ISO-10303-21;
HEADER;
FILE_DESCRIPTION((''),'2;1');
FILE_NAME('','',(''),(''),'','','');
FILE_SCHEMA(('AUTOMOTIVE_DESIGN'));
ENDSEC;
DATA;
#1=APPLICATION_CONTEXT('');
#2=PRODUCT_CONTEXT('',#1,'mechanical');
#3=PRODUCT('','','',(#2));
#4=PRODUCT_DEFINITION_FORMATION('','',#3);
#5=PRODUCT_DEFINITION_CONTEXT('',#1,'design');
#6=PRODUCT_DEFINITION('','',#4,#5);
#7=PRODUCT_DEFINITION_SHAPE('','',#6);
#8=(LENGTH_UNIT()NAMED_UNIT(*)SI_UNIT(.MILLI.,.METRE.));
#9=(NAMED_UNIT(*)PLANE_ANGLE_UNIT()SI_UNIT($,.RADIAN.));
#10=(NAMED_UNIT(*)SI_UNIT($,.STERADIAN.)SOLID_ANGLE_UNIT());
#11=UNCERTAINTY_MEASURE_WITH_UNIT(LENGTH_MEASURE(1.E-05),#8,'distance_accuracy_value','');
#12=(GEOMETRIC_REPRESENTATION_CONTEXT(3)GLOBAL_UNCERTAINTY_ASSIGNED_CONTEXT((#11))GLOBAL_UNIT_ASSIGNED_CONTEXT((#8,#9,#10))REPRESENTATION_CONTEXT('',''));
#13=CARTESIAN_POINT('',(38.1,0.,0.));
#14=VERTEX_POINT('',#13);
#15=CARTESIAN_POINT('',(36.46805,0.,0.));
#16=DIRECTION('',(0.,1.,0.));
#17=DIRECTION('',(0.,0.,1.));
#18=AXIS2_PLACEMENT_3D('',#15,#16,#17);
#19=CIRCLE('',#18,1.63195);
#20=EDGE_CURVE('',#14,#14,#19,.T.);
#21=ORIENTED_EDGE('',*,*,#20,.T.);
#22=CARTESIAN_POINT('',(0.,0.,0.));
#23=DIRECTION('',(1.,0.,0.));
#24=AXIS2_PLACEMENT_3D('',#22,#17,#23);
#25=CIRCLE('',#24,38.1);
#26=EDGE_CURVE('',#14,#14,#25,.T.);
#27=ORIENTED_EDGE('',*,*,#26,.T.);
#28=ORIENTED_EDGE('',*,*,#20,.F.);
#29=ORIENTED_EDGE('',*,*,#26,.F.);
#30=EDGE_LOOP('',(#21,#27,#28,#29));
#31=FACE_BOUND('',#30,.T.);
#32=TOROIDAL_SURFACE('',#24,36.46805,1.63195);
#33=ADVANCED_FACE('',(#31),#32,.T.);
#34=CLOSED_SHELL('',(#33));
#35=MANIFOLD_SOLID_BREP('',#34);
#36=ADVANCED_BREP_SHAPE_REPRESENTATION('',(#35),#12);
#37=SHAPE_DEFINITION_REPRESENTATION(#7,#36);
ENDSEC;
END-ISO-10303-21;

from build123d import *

# Parameters (mm, degrees)
SKETCH6_R = 1.63195


with BuildPart() as part:
    # Sweep1: sweep along a path in Sketch5
    with BuildLine(Plane.XY) as sweep1_path:
        CenterArc((0, 0), 36.46805, 0, 360)
    # Sketch6 → Sweep1 (sweep)
    with BuildSketch(Plane(origin=(0, 0, 0), x_dir=(1, 0, 0), z_dir=(0, 1, 0))):
        with Locations((36.46805, 0)):
            Circle(SKETCH6_R)
    sweep(path=sweep1_path.line)


solid = part.part
